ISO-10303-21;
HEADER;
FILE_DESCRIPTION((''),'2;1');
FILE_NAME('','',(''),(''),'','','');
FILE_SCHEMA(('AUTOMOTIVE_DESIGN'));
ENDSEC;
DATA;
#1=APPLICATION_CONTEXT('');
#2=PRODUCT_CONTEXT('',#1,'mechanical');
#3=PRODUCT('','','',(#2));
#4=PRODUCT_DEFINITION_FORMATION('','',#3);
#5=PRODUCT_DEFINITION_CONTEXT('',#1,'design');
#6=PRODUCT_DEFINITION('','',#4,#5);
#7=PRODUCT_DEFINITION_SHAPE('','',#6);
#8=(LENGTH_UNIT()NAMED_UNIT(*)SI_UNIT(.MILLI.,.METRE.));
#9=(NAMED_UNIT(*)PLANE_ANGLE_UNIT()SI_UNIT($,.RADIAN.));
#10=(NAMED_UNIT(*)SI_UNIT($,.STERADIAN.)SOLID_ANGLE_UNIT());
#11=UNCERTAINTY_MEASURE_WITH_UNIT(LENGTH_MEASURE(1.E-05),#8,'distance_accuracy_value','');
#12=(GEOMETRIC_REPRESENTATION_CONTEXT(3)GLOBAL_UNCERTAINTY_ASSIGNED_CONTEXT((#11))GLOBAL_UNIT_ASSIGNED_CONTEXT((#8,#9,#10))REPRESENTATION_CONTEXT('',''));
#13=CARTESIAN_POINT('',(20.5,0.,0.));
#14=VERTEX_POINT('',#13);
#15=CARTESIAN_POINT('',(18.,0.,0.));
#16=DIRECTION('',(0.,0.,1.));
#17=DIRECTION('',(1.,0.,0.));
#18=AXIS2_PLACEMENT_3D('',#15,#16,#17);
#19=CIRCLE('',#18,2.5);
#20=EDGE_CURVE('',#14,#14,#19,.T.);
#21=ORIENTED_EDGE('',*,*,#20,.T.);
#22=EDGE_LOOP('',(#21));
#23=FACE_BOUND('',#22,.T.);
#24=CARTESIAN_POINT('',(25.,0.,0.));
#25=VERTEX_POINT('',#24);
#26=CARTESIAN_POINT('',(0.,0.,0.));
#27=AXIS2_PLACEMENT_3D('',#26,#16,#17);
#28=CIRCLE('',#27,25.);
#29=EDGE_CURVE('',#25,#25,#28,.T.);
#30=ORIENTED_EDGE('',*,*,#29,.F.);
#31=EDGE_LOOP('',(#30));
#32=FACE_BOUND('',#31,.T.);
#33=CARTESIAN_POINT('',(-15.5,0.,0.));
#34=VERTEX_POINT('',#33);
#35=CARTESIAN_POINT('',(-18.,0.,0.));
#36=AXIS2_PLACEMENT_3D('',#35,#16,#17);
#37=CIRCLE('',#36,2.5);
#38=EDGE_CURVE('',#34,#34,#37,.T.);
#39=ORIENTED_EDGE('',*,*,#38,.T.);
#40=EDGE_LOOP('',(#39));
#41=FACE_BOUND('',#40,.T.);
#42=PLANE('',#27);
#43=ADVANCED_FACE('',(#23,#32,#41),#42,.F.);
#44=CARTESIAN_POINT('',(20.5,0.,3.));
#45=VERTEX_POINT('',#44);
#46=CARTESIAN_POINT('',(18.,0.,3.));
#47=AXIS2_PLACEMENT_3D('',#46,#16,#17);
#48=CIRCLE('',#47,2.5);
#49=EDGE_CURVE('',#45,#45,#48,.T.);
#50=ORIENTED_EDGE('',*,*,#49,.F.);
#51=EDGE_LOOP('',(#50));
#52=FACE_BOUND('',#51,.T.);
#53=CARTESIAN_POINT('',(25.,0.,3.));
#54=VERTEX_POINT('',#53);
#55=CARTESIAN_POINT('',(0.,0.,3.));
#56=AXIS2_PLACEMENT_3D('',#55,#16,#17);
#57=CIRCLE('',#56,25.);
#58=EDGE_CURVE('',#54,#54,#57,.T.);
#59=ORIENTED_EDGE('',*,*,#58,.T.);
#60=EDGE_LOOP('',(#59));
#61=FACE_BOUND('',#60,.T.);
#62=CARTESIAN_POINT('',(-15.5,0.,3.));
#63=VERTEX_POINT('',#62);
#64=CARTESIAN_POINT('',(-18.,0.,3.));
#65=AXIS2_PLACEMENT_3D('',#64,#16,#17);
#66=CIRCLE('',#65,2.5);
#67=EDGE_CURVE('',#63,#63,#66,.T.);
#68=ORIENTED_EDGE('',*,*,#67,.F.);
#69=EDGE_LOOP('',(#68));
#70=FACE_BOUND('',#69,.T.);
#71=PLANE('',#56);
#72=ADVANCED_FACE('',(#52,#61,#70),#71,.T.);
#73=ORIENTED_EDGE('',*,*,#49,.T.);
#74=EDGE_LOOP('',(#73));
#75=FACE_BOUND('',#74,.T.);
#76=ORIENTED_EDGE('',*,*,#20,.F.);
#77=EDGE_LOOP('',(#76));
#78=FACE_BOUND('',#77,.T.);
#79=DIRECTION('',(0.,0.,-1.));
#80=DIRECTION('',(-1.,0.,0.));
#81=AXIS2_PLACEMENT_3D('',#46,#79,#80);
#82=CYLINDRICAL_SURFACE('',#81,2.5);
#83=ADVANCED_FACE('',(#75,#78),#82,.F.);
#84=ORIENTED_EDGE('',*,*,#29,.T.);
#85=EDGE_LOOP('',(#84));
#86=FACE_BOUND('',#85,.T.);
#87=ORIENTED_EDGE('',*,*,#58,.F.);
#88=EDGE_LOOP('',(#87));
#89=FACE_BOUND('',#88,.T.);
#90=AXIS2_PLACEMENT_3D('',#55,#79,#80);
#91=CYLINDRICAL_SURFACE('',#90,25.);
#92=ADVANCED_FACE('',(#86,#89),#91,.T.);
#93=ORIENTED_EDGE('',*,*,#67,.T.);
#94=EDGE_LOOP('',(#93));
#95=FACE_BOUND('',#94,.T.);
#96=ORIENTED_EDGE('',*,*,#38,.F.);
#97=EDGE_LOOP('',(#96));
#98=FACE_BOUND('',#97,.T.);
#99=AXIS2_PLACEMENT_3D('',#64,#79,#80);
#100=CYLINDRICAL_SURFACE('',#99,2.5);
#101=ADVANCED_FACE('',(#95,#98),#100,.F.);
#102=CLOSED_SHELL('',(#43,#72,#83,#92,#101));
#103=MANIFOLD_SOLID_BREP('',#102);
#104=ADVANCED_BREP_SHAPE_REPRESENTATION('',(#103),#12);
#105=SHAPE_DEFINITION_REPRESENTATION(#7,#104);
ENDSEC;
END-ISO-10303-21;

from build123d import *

# Parameters (mm, degrees)
SKETCH1_R           = 25
SKETCH1_R_2         = 2.5
BOSS_EXTRUDE1_DEPTH = 3


with BuildPart() as part:
    # Sketch1 → Boss-Extrude1 (new body)
    with BuildSketch(Plane.XY):
        Circle(SKETCH1_R)
        with Locations((-18, 0)):
            Circle(SKETCH1_R_2, mode=Mode.SUBTRACT)
        with Locations((18, 0)):
            Circle(SKETCH1_R_2, mode=Mode.SUBTRACT)
    extrude(amount=BOSS_EXTRUDE1_DEPTH)


solid = part.part
